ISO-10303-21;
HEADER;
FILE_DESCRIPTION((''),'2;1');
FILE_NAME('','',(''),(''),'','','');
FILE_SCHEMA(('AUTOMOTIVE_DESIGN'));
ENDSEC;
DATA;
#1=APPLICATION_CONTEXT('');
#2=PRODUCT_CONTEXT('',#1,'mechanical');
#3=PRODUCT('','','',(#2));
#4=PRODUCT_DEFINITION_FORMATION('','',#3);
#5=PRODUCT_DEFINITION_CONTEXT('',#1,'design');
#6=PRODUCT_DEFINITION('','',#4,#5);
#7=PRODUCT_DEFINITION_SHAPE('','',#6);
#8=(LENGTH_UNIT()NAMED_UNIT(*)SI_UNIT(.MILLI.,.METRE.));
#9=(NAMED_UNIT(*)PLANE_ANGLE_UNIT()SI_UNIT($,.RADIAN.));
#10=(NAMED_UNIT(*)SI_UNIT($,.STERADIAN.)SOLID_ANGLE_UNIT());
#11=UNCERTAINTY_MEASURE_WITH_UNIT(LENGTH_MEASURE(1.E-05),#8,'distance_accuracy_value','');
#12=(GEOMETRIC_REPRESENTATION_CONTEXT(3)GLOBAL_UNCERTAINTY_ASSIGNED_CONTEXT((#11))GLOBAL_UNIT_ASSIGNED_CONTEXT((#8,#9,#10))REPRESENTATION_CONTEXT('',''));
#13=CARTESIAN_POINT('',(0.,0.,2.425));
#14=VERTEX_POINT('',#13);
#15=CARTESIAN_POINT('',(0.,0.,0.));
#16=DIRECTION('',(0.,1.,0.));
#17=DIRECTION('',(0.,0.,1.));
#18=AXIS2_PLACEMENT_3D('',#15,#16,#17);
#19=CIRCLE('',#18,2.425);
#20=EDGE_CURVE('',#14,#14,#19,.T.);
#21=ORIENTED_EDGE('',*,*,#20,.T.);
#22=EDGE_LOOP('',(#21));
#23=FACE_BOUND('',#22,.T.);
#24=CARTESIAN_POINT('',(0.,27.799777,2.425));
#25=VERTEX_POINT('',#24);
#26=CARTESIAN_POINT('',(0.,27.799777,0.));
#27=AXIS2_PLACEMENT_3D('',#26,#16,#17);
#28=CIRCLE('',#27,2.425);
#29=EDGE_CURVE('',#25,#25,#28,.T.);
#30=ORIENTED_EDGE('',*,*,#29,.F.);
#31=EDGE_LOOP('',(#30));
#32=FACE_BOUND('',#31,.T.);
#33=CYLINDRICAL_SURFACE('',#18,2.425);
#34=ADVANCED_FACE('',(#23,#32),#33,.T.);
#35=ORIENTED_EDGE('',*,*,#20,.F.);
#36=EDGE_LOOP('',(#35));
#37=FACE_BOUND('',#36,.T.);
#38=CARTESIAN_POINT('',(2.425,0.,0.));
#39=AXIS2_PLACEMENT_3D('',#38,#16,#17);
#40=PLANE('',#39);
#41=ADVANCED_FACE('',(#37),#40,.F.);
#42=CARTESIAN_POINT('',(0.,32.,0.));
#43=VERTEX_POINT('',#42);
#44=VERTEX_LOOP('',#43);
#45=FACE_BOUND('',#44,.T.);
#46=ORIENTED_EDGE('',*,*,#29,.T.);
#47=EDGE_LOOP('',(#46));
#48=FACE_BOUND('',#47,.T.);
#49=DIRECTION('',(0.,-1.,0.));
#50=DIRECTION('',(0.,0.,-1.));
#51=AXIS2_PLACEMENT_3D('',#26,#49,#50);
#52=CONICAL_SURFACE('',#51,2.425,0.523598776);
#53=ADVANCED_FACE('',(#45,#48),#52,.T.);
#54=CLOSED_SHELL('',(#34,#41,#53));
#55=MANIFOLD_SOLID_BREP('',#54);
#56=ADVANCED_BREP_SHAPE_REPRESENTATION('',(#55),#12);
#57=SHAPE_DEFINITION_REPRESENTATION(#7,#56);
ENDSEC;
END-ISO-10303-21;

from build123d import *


with BuildPart() as part:
    # Sketch2 → Revolve1 (revolve)
    with BuildSketch(Plane.XY, mode=Mode.PRIVATE) as revolve1_sk:
        Polygon((0, 0), (0, 32), (2.425, 27.799776792), (2.425, 0), align=None)
    revolve(revolve1_sk.sketch.rotate(Axis((0, 0, 0), (0, -1, 0)), 270), axis=Axis((0, 0, 0), (0, -1, 0)))


solid = part.part
